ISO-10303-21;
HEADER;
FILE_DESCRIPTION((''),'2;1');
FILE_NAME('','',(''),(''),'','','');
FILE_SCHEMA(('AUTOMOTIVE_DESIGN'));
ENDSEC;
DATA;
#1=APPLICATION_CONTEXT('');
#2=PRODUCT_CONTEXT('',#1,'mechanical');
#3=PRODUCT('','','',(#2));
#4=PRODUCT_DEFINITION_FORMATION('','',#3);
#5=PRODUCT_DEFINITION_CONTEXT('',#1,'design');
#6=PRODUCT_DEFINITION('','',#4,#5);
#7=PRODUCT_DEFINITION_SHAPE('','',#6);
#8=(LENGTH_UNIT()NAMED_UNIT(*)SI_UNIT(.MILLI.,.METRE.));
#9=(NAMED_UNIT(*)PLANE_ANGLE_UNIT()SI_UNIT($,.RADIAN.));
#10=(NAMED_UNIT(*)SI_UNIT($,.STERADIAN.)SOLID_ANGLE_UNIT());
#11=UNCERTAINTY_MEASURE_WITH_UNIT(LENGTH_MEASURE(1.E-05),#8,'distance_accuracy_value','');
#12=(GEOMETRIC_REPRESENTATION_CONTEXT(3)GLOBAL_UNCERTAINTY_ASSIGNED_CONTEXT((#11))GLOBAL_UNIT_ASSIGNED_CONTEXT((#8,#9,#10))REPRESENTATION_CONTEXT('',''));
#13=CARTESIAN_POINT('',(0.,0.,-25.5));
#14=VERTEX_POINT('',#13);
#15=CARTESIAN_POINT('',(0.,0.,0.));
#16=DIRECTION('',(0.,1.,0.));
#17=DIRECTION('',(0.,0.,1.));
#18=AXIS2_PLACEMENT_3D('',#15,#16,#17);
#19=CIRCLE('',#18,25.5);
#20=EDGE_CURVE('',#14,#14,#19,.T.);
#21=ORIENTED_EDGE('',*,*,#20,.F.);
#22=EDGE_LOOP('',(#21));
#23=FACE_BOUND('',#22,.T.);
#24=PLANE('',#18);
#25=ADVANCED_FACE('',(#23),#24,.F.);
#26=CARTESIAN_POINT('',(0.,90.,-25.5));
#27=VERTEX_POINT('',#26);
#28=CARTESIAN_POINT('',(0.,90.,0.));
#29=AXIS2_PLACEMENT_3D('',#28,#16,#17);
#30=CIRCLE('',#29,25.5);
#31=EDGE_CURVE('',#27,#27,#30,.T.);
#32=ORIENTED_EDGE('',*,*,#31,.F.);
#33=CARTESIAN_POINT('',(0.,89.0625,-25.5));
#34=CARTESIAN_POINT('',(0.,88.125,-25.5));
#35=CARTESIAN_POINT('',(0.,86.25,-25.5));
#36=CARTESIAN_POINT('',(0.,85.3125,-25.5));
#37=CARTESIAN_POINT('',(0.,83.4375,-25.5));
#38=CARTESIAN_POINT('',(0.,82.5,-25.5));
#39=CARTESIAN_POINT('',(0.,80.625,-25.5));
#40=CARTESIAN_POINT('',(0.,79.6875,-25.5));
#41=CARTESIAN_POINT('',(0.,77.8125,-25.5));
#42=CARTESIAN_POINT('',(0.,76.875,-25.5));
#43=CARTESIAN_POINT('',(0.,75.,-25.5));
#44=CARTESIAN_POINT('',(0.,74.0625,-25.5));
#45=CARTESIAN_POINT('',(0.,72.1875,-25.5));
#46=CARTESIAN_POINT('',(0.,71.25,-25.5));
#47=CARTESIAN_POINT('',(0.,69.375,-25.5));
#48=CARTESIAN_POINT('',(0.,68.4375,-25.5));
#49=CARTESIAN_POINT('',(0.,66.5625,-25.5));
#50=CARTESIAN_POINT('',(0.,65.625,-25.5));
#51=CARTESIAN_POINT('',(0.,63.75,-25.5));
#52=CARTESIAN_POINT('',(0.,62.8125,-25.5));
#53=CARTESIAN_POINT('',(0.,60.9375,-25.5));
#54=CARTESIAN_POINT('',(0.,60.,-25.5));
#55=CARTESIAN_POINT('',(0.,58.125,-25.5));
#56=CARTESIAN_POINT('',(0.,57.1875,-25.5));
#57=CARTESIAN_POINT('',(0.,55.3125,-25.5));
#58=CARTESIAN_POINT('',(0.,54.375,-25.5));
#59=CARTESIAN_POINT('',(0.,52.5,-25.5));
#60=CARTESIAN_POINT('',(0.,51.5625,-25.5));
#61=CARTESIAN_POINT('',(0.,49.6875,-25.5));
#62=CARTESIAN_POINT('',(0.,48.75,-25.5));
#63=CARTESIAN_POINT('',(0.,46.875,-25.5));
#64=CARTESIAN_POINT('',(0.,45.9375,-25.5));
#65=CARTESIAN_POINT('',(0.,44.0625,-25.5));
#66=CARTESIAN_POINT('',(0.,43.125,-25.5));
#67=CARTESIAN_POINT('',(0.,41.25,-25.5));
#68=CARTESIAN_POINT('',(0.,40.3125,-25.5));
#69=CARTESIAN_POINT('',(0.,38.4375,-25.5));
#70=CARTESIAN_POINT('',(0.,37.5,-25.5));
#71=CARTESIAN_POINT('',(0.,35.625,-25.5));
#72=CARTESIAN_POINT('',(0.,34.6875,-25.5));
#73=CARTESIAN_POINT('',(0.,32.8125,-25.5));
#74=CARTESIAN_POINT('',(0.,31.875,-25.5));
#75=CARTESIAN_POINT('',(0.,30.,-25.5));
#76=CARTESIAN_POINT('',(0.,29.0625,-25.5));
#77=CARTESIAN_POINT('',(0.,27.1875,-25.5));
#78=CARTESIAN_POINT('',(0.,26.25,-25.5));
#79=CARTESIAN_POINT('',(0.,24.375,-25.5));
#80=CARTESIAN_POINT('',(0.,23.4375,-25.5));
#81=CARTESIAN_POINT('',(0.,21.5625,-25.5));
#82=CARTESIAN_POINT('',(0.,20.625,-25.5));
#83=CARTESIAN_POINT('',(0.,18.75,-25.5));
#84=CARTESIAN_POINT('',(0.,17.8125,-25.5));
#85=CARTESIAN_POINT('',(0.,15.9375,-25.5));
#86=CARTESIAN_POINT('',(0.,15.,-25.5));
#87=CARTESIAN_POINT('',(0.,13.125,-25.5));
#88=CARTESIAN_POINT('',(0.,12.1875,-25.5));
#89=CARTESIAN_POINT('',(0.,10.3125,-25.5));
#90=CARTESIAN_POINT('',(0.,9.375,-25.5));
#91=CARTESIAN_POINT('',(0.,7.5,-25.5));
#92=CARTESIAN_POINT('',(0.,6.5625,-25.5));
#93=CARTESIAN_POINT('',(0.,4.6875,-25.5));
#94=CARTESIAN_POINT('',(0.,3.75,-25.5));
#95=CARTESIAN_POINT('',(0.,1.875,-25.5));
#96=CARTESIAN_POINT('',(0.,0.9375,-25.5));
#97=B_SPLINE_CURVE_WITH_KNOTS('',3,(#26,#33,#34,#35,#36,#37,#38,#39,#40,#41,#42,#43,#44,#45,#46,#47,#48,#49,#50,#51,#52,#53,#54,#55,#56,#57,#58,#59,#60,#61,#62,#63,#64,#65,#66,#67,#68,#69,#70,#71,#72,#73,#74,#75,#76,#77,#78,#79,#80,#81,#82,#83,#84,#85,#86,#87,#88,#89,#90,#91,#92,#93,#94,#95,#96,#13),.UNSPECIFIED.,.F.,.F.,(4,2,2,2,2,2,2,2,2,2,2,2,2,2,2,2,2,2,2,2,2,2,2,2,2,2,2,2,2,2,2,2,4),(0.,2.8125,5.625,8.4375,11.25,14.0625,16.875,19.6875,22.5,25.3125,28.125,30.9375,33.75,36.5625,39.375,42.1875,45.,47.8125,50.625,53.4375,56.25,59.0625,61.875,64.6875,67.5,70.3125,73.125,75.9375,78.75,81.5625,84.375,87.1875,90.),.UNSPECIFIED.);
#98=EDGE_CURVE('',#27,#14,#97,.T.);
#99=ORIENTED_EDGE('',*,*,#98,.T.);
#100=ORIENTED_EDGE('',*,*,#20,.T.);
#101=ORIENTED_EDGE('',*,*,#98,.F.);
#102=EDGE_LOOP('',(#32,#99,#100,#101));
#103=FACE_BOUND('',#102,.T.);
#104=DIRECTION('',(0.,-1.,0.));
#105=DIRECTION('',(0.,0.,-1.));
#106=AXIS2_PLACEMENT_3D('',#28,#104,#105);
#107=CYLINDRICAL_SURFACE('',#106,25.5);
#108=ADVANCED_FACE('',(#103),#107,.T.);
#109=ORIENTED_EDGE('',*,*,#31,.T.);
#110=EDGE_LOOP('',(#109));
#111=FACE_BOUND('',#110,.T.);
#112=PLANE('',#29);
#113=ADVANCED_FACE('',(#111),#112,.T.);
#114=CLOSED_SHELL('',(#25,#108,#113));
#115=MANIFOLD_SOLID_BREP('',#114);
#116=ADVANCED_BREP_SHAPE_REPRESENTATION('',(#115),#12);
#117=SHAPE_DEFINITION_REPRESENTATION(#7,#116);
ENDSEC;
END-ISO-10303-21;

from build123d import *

# Parameters (mm, degrees)
SKETCH1_R           = 25.5
BOSS_EXTRUDE1_DEPTH = 90


with BuildPart() as part:
    # Sketch1 → Boss-Extrude1 (new body)
    with BuildSketch(Plane(origin=(0, 0, 0), x_dir=(1, 0, 0), z_dir=(0, 1, 0))):
        with Locations(Location((0, 0, 0), (0, 0, 90))):
            Circle(SKETCH1_R)
    extrude(amount=BOSS_EXTRUDE1_DEPTH)


solid = part.part
